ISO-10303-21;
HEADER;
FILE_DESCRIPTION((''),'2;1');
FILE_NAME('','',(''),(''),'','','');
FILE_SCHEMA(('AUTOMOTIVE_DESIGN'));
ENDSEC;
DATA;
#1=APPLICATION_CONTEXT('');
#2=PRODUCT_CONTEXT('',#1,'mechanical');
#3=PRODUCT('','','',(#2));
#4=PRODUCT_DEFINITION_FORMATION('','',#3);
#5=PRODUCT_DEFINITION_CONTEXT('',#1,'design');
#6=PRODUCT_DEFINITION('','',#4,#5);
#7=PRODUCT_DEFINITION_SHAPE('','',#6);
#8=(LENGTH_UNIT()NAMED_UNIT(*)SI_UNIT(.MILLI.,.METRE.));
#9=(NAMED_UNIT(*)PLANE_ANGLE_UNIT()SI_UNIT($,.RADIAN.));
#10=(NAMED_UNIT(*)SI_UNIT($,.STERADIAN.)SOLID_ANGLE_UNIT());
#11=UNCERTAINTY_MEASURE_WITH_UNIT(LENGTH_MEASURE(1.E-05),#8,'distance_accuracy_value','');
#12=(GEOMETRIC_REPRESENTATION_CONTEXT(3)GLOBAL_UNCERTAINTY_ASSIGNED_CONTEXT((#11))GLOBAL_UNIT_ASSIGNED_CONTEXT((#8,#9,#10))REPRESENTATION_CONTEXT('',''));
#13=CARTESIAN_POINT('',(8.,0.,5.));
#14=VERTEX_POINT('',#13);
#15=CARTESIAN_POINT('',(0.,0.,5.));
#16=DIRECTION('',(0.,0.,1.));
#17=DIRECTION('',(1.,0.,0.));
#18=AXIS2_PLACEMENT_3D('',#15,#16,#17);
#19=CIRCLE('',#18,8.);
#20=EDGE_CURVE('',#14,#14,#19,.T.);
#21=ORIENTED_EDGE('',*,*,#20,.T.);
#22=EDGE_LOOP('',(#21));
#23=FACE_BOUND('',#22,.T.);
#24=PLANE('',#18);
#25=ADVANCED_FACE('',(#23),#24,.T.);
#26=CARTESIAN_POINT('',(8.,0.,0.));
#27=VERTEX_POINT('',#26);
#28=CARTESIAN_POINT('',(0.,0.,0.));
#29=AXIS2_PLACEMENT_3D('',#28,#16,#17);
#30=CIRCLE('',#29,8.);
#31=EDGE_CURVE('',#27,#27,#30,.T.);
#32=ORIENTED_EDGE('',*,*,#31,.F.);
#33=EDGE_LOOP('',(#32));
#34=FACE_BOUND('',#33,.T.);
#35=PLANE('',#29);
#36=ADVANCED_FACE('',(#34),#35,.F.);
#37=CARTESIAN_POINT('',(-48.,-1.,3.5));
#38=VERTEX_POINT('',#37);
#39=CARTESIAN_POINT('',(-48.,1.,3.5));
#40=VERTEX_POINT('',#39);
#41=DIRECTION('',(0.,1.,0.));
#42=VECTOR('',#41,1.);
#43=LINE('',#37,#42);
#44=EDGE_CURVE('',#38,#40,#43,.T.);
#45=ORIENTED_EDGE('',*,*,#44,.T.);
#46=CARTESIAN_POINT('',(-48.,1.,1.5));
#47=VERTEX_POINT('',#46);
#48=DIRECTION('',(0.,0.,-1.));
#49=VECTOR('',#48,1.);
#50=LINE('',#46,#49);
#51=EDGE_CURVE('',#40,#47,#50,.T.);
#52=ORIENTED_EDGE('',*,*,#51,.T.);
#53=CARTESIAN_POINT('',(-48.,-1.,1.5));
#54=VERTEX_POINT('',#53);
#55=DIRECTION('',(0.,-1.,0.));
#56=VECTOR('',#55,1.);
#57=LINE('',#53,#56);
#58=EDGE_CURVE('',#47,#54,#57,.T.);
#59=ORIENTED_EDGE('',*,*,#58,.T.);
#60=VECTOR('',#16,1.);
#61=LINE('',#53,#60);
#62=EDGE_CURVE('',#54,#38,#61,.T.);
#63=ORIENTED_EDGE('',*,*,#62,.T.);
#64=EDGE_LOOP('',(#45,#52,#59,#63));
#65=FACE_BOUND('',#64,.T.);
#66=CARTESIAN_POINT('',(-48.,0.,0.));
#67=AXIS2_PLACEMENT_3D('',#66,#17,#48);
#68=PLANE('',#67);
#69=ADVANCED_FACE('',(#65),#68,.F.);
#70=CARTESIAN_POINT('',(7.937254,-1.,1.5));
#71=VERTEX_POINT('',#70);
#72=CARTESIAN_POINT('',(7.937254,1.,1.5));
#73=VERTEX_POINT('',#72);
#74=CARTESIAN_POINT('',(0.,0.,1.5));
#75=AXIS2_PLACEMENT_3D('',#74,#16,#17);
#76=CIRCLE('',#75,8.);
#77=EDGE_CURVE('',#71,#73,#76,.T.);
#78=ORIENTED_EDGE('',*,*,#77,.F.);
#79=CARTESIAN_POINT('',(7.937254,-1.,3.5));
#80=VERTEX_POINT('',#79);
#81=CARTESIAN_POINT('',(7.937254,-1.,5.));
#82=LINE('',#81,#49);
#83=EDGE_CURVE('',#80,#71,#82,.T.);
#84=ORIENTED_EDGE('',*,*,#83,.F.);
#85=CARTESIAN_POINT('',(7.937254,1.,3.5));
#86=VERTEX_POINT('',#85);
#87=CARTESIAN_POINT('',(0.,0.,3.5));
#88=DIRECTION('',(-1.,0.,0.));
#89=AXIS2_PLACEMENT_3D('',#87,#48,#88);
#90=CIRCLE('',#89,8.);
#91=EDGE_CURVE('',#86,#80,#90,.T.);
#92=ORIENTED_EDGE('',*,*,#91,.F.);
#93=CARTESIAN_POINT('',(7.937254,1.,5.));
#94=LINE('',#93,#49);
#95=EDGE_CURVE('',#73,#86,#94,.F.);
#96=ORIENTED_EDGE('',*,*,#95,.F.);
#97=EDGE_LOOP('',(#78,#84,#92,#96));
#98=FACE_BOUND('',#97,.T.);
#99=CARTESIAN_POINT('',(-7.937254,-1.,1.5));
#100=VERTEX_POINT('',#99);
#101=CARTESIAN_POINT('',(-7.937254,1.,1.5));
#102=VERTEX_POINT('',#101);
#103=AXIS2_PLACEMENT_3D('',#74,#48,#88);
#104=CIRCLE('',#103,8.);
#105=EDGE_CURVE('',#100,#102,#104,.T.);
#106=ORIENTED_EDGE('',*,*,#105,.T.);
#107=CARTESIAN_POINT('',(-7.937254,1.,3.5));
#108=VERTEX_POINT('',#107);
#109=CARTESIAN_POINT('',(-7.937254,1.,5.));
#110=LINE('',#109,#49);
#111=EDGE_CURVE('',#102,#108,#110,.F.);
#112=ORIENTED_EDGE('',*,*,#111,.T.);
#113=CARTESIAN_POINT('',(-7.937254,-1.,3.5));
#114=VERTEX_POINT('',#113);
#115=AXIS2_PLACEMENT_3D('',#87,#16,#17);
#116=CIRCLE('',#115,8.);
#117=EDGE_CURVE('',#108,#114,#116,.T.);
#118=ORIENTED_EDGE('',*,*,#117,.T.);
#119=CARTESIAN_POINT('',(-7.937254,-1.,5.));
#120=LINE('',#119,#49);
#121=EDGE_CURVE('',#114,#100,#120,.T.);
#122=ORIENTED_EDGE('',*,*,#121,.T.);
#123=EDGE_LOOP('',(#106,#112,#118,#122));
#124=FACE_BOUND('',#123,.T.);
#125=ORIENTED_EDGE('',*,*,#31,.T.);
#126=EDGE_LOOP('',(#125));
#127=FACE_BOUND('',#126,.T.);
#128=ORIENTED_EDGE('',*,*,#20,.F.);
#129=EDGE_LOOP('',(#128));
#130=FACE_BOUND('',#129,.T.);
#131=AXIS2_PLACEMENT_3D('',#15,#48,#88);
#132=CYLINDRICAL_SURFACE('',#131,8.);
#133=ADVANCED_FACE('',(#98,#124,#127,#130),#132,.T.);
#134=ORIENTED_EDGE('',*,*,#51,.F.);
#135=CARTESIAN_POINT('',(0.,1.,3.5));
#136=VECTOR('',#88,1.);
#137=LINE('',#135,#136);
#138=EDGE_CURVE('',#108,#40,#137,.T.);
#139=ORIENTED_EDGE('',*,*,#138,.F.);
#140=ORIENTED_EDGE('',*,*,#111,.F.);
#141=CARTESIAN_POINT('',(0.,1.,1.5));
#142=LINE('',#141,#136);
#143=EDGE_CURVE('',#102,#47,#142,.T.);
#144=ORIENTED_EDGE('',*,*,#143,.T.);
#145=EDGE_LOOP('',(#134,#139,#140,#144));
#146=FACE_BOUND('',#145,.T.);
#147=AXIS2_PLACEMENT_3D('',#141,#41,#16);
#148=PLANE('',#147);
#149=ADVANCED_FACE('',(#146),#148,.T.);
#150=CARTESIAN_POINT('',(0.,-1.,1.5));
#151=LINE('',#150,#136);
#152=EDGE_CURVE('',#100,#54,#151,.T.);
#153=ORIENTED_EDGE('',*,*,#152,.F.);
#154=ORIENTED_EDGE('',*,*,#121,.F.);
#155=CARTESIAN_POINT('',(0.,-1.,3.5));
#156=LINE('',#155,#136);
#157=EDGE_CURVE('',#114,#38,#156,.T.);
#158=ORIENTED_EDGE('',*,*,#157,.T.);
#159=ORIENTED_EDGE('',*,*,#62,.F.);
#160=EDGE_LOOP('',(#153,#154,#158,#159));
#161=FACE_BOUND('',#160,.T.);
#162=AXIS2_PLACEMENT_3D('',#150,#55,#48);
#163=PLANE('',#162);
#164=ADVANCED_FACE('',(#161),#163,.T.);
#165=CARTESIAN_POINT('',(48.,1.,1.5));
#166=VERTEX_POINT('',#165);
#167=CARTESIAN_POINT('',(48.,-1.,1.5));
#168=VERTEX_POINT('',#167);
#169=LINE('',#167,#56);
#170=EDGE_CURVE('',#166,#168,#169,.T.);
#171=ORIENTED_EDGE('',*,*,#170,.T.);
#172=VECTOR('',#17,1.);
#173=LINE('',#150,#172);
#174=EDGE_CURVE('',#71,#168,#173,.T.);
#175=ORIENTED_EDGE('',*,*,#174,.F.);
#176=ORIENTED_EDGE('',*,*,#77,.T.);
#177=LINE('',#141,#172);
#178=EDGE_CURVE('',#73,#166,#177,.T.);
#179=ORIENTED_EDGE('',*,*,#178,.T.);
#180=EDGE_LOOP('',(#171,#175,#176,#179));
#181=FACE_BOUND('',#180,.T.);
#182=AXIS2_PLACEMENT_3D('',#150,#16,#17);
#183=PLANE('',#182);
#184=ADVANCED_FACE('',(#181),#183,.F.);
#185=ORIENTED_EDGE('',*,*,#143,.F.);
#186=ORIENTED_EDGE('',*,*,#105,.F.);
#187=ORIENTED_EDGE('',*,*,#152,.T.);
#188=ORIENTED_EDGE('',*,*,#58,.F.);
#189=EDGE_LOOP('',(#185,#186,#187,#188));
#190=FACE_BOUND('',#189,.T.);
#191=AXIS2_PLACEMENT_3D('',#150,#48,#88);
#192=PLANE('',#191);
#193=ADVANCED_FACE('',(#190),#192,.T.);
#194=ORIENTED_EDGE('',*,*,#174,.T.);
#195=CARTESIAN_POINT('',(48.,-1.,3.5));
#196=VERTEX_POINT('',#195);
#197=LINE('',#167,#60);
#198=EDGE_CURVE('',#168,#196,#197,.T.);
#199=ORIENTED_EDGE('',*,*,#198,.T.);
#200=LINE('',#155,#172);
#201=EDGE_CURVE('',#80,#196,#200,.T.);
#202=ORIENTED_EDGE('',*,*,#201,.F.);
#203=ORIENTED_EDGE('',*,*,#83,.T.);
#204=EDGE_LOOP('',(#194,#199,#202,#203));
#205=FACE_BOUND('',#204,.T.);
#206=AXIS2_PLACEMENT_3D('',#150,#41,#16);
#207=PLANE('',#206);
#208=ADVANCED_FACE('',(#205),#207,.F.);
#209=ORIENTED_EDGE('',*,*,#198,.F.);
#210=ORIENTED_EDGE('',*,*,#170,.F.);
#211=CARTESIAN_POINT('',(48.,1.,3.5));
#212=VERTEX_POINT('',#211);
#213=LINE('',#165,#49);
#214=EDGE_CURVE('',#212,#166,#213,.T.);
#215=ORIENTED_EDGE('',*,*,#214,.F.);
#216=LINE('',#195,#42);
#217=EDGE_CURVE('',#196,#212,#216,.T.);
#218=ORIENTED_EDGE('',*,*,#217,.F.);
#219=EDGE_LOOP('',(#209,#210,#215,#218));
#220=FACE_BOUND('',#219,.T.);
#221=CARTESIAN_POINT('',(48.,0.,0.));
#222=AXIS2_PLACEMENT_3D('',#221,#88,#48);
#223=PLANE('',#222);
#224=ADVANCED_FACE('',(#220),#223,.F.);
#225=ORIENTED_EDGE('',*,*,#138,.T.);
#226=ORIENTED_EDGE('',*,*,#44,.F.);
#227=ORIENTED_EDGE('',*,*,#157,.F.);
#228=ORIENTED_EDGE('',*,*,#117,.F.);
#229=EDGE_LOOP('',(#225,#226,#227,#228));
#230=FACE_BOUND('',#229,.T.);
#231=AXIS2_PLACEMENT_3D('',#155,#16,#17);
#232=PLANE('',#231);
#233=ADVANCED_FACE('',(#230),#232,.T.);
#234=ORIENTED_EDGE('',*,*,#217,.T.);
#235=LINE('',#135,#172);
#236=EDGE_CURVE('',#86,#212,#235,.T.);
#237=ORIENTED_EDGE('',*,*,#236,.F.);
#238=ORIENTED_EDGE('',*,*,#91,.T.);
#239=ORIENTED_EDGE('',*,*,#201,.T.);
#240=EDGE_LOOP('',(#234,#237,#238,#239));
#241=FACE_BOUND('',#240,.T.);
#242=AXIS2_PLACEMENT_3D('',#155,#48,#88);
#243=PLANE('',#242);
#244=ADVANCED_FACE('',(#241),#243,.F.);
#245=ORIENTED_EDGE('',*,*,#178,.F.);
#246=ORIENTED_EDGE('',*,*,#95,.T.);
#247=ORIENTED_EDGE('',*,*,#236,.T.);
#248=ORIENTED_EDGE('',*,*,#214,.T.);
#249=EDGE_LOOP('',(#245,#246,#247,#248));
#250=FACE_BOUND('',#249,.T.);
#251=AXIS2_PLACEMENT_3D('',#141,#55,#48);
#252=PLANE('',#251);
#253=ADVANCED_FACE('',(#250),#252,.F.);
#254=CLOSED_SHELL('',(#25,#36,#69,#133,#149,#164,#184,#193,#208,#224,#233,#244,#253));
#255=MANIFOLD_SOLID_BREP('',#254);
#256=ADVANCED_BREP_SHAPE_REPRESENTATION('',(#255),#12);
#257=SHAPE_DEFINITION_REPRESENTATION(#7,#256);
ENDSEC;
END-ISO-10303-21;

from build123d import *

# Parameters (mm, degrees)
SKETCH1_R           = 8
BOSS_EXTRUDE1_DEPTH = 5
SKETCH2_W           = 2
SKETCH2_H           = 2
BOSS_EXTRUDE2_DEPTH = 48


with BuildPart() as part:
    # Sketch1 → Boss-Extrude1 (new body)
    with BuildSketch(Plane.XY):
        Circle(SKETCH1_R)
    extrude(amount=BOSS_EXTRUDE1_DEPTH)

    # Sketch2 → Boss-Extrude2 (add)
    with BuildSketch(Plane.ZY.offset(48)):
        with Locations((2.5, 0)):
            Rectangle(SKETCH2_W, SKETCH2_H)
    boss_extrude2 = extrude(amount=-BOSS_EXTRUDE2_DEPTH)

    # Mirror1: Boss-Extrude2 across plane
    add(boss_extrude2.mirror(Plane(origin=(0, 0, 0), x_dir=(0, 0, 1), z_dir=(1, 0, 0))))


solid = part.part
